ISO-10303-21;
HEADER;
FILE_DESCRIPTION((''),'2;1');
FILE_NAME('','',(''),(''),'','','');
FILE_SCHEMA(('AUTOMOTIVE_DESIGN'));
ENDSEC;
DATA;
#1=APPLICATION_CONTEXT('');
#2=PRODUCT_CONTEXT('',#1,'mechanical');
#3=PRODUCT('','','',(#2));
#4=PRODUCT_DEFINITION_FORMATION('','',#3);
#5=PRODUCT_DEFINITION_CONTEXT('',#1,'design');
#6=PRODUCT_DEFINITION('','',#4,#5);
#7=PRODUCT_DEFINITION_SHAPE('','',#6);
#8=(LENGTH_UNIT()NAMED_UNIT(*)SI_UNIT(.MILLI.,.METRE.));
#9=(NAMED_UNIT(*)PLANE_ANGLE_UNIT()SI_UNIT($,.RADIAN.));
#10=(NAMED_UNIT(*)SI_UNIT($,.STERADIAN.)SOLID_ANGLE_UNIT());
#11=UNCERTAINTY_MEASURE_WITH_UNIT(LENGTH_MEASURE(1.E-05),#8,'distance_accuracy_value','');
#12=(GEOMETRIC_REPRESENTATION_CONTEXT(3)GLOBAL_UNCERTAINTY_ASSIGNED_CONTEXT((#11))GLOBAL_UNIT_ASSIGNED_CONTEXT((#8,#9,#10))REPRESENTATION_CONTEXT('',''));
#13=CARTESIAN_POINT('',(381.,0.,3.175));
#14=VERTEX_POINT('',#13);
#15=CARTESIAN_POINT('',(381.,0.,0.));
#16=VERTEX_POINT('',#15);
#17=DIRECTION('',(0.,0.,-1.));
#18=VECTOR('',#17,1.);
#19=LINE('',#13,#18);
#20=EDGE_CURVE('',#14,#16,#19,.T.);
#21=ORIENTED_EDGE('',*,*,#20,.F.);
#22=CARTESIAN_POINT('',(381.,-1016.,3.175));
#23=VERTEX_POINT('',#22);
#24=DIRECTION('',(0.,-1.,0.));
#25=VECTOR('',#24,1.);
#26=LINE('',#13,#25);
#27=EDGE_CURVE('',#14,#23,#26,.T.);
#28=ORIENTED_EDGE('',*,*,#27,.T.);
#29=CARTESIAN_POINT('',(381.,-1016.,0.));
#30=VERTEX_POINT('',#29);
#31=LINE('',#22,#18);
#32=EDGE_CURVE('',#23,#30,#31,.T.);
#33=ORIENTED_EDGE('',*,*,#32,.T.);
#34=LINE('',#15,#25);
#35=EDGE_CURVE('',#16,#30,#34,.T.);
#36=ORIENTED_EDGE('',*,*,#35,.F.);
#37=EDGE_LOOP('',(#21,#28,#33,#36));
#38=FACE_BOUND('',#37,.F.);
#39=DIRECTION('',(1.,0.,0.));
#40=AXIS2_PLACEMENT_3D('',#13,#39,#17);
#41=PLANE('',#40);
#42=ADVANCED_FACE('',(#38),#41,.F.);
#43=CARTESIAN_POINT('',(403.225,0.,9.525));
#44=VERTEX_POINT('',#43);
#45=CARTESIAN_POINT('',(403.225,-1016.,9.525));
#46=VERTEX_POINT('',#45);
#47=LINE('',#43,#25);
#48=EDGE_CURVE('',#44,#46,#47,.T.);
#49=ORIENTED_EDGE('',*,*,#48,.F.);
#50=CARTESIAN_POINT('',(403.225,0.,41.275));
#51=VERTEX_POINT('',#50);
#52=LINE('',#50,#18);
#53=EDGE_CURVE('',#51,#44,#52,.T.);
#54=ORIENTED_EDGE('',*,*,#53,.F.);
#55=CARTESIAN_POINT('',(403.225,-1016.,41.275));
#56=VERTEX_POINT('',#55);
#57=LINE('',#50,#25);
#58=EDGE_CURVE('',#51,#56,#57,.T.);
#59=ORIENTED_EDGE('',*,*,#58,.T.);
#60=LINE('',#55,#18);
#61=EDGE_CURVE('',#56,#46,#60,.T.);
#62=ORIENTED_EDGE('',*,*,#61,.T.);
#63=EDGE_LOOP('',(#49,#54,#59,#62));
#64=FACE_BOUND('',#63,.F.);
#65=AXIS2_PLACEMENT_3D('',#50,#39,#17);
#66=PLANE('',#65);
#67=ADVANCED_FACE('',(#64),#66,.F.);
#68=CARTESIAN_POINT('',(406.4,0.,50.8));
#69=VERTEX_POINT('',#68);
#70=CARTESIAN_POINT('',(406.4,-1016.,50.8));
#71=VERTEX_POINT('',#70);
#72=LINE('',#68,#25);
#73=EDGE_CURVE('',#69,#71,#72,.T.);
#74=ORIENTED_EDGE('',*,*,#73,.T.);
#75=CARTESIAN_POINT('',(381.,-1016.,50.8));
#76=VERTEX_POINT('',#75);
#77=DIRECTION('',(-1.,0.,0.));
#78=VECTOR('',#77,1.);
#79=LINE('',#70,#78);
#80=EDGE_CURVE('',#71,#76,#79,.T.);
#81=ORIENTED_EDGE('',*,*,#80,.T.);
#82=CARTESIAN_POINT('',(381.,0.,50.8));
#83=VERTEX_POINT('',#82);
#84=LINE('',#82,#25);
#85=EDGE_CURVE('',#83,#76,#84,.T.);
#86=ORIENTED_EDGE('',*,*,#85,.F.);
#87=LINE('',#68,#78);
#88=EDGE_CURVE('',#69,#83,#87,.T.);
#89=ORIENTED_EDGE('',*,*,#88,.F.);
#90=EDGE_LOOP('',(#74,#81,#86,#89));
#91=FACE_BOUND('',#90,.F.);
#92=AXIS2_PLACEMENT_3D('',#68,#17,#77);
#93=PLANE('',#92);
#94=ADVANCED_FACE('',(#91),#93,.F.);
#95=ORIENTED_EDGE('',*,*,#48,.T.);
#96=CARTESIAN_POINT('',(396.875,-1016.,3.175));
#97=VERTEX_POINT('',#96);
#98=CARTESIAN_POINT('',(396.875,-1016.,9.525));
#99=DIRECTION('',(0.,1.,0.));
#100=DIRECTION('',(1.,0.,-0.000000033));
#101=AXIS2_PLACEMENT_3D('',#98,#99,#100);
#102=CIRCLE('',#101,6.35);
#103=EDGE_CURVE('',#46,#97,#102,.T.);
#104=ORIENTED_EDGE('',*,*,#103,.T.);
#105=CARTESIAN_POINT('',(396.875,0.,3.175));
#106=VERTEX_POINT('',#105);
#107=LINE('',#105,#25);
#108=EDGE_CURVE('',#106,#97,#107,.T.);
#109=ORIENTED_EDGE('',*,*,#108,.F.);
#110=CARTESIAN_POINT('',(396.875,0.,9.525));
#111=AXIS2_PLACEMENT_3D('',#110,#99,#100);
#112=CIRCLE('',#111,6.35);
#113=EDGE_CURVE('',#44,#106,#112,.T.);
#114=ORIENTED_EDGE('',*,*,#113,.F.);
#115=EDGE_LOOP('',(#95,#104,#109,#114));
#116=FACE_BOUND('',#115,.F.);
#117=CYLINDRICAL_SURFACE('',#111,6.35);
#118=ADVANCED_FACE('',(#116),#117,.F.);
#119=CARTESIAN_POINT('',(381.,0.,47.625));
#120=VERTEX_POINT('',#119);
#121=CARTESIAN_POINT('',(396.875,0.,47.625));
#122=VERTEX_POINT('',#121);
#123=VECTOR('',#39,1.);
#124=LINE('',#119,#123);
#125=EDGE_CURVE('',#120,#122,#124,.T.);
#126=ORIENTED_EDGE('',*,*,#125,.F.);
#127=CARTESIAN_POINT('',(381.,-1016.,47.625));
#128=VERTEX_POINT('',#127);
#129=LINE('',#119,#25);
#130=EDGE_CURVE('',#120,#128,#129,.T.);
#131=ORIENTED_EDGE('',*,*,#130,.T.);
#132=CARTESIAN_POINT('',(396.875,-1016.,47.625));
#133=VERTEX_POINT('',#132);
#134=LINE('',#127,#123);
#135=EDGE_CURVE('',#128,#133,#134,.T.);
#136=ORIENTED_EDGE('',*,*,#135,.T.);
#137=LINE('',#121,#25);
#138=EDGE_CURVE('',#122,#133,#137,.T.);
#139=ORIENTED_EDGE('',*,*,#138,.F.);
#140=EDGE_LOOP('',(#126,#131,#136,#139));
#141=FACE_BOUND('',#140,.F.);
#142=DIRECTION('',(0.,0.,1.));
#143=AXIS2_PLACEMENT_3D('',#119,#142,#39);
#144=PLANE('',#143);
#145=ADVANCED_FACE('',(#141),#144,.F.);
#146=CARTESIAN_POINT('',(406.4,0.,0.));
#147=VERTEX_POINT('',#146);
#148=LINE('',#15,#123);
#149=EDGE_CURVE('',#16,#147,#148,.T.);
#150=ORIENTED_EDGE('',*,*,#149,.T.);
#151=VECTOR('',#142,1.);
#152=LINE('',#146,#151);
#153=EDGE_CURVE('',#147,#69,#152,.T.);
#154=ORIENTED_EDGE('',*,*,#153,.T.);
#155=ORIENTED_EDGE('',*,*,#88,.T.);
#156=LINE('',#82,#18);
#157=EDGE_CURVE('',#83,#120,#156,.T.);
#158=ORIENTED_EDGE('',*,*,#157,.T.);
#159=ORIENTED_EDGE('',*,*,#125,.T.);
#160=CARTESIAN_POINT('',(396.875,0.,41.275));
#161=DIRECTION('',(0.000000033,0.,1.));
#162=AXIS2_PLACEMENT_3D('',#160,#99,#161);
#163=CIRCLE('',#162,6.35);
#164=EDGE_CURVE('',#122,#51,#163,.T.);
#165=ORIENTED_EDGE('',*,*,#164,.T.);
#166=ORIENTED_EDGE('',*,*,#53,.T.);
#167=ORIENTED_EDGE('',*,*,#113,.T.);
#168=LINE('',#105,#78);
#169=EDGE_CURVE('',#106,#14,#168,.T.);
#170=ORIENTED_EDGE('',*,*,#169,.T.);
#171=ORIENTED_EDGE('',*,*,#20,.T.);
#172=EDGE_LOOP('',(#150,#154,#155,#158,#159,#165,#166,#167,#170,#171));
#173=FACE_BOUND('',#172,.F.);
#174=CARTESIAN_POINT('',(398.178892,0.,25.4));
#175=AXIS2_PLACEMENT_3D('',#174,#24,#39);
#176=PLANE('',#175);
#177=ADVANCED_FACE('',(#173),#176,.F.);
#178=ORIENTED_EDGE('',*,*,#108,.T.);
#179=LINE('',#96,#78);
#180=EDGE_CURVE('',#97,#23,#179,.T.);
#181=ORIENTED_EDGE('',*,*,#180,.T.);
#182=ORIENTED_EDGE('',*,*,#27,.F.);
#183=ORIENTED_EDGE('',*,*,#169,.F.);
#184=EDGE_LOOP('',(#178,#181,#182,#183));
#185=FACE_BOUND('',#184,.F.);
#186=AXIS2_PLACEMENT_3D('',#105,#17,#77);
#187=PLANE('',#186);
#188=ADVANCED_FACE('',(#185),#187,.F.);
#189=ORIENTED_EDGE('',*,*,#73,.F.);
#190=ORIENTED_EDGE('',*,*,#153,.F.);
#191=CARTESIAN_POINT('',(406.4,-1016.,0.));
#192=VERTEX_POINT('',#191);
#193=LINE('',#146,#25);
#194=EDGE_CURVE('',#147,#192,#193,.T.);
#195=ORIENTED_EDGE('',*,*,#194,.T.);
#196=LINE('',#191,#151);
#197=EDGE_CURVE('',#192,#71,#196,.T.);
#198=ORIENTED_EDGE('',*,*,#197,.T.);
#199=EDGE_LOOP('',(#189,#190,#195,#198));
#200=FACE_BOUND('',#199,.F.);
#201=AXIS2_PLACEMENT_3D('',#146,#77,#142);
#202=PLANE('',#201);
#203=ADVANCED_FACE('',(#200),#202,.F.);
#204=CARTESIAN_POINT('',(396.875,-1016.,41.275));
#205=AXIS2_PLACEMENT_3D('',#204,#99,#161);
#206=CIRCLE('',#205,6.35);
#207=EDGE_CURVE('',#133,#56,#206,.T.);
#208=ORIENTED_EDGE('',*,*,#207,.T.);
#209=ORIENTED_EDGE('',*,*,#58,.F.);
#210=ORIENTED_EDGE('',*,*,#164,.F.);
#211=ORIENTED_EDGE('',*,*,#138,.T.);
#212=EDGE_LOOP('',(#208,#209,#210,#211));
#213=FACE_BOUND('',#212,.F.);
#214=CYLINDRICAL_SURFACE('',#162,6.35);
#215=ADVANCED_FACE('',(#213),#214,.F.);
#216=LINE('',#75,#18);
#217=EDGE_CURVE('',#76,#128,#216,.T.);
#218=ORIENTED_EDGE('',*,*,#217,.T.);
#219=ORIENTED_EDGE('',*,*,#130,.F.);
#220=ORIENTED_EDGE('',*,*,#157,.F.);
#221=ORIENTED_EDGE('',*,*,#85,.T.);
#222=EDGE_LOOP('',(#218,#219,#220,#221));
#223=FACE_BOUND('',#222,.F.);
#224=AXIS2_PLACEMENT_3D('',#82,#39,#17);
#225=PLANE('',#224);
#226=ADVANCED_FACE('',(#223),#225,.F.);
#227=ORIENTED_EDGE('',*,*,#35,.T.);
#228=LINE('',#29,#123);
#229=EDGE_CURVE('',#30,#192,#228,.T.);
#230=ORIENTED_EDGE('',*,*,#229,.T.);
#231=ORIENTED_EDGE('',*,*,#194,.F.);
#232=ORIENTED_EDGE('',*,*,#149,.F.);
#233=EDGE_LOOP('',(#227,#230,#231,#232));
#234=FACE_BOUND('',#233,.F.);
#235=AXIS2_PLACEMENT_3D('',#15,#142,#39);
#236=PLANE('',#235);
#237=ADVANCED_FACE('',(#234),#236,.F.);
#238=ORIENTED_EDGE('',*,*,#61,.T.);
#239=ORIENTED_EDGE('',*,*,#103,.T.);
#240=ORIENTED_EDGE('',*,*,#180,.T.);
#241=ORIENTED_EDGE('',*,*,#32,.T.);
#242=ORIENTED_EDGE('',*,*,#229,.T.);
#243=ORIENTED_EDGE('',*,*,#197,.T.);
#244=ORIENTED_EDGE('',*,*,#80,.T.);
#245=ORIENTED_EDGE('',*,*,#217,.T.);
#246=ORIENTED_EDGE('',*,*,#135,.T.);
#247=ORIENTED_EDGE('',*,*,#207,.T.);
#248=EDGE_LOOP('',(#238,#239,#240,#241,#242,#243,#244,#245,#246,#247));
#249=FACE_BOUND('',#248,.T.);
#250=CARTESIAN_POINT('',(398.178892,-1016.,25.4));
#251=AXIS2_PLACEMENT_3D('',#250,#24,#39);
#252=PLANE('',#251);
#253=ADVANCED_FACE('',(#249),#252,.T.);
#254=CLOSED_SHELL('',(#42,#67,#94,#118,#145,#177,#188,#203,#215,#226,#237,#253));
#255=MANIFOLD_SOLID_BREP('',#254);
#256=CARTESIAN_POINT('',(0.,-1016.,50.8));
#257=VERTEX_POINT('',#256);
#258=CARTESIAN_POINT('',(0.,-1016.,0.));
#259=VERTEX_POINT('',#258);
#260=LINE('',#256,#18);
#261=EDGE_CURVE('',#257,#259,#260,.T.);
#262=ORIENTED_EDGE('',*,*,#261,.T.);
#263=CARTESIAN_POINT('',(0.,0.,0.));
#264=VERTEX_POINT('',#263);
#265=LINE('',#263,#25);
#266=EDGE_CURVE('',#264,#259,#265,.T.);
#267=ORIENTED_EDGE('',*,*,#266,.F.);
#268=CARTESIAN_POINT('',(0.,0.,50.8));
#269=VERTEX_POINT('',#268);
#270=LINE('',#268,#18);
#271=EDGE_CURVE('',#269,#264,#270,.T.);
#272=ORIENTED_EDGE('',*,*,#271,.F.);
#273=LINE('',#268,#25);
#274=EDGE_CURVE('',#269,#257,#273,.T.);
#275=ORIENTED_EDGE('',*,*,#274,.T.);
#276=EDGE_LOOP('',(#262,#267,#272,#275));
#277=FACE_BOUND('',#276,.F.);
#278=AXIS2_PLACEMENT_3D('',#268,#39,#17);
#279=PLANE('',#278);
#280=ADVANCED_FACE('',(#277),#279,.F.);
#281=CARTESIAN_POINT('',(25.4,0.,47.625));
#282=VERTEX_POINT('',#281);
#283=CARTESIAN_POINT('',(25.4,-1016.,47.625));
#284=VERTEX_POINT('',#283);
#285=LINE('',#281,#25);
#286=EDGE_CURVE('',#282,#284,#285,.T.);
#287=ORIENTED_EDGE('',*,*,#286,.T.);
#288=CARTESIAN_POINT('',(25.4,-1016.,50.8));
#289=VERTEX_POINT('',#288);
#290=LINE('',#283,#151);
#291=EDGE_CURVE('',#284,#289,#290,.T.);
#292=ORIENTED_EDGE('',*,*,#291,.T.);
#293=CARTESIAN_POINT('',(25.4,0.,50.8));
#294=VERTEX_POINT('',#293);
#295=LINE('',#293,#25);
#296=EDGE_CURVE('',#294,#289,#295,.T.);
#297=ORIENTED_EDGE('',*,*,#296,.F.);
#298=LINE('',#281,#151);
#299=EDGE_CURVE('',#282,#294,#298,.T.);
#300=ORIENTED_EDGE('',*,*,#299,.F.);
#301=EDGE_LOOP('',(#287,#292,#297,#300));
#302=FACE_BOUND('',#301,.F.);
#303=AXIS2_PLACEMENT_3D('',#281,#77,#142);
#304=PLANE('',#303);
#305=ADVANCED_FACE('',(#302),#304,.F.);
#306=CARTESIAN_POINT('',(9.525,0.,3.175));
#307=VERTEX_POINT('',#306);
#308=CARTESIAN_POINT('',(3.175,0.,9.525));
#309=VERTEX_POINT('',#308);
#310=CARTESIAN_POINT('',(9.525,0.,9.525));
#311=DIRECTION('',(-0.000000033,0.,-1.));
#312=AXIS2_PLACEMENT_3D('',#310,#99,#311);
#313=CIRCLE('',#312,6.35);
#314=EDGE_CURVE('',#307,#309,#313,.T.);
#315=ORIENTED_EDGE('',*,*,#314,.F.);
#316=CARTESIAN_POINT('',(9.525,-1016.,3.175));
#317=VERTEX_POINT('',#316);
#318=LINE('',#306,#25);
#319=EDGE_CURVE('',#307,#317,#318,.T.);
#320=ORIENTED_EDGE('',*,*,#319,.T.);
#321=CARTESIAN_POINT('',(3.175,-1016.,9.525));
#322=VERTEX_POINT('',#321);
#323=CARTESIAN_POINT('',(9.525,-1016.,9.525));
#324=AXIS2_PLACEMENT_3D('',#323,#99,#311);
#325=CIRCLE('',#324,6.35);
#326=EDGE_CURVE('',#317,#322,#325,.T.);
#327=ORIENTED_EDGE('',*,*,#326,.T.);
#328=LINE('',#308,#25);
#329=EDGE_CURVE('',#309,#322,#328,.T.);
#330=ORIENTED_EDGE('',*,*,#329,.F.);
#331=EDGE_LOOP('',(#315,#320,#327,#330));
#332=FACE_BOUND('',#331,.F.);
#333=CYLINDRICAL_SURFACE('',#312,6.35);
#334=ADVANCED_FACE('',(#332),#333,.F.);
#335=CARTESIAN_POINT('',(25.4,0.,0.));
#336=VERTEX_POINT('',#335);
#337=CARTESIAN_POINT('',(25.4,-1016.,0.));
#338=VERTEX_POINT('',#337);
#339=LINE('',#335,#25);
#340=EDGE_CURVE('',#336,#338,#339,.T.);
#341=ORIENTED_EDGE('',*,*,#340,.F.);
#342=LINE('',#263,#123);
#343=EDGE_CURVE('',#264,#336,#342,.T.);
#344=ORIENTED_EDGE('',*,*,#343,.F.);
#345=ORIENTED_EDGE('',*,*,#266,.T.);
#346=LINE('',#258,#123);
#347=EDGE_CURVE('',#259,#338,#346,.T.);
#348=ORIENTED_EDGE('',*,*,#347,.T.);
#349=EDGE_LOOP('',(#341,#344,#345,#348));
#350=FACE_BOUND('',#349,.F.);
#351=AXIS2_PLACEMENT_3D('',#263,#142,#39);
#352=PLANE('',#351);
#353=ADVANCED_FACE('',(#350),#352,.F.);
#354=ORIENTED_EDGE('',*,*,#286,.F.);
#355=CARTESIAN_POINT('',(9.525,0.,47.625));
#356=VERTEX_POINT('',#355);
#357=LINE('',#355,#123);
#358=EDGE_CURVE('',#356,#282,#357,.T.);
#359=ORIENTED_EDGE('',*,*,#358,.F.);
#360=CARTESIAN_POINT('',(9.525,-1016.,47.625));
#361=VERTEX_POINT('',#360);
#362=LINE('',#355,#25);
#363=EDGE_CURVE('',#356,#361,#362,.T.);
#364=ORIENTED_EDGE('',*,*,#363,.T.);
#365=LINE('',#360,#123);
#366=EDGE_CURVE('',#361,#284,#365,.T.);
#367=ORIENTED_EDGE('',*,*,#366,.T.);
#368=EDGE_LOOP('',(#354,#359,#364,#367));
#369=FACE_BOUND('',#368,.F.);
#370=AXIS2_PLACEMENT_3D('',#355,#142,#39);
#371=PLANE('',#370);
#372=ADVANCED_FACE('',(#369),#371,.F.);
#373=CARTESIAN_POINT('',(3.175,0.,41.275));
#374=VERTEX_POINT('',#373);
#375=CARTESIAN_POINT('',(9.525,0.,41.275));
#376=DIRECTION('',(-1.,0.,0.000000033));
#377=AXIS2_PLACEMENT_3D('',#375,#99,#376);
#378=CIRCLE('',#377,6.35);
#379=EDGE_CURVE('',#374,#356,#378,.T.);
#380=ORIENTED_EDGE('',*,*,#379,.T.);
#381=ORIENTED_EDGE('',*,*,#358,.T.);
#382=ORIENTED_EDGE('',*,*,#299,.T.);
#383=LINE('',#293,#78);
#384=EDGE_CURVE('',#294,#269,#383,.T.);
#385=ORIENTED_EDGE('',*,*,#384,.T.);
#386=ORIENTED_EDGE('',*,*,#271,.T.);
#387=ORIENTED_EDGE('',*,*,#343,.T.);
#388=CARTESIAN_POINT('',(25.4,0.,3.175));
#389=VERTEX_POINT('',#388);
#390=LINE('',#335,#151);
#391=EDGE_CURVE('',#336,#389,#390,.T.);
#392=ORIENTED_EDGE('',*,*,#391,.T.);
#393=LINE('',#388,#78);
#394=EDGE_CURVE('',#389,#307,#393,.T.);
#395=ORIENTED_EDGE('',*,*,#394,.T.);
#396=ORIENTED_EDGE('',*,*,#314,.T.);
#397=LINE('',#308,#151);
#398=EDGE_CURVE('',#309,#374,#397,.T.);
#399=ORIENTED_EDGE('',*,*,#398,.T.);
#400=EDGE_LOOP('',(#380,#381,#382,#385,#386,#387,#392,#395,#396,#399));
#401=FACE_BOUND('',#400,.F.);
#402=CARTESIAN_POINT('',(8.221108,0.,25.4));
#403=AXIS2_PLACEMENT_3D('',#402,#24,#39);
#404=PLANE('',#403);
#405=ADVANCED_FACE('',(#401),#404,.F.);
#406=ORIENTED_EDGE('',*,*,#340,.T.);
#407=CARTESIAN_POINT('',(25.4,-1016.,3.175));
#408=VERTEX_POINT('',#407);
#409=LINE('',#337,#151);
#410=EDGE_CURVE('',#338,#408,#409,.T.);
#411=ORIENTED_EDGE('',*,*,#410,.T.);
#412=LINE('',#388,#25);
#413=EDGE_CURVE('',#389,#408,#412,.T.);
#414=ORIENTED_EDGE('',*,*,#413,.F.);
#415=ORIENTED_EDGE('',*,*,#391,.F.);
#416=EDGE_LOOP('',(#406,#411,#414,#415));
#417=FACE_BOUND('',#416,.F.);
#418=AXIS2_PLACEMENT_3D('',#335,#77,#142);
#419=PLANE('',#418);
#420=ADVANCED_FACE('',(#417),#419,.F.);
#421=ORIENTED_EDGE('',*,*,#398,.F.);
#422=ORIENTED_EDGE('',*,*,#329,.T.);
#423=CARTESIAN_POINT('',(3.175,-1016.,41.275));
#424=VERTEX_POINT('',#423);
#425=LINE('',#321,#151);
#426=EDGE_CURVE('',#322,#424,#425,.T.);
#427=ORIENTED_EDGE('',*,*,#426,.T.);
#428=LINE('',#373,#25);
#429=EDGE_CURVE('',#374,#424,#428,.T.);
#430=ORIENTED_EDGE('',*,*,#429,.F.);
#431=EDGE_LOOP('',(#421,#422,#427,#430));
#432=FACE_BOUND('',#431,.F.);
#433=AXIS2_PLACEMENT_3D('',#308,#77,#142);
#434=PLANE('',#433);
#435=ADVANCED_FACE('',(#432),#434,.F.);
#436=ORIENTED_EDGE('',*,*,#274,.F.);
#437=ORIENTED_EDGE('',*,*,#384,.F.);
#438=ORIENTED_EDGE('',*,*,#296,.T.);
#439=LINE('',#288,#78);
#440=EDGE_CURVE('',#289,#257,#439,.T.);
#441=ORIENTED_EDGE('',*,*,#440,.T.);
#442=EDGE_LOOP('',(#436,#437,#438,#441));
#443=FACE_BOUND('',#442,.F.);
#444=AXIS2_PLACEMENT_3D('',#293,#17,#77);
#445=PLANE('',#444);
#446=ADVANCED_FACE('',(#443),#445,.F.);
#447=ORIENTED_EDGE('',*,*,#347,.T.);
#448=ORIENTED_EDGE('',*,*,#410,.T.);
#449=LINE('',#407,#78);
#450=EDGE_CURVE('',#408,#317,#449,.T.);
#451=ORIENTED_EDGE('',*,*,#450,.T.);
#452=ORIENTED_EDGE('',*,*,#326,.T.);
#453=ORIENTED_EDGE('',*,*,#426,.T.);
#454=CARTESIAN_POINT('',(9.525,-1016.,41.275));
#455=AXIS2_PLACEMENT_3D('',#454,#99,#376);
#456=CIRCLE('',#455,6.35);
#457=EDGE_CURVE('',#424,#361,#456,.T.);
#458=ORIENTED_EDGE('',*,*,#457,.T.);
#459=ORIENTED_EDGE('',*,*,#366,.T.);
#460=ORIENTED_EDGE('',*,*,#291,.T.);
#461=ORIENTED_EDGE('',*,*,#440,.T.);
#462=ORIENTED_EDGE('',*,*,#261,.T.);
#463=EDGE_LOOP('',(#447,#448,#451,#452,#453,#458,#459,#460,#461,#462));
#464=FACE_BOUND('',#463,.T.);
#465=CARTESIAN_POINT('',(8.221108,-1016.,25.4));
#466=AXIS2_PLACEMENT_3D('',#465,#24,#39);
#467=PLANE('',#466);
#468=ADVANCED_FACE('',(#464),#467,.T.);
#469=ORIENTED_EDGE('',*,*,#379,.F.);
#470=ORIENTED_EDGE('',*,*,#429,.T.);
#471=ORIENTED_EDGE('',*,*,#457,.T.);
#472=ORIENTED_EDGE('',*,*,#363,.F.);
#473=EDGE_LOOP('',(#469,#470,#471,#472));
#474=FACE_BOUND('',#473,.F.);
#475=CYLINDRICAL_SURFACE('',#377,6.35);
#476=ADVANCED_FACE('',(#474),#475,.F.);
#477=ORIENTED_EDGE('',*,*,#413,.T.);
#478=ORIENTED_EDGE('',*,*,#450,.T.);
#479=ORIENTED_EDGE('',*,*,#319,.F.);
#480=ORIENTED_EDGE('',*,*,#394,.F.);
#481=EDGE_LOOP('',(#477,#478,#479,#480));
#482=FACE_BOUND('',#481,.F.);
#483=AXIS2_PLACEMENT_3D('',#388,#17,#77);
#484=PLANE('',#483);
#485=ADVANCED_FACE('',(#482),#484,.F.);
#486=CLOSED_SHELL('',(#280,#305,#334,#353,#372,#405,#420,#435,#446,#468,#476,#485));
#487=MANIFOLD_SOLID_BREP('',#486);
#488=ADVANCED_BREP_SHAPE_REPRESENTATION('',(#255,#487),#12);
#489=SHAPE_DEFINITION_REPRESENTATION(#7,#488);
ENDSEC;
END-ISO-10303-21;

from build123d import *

# Parameters (mm, degrees)
F1_DEPTH = 1016


with BuildPart() as f1:
    # F0 (on Front) → F1 (new body)
    with BuildSketch(Plane.XZ):
        with BuildLine():
            Line((0, 50.8), (0, 0))
            Line((0, 0), (25.4, 0))
            Line((25.4, 0), (25.4, 3.175))
            Line((25.4, 3.175), (9.525, 3.175))
            ThreePointArc((9.525, 3.175), (5.034872, 5.034872), (3.175, 9.525))
            Line((3.175, 9.525), (3.175, 41.275))
            ThreePointArc((3.175, 41.275), (5.034872, 45.765128), (9.525, 47.625))
            Line((9.525, 47.625), (25.4, 47.625))
            Line((25.4, 47.625), (25.4, 50.8))
            Line((25.4, 50.8), (0, 50.8))
        make_face()
        with BuildLine():
            Line((381, 0), (406.4, 0))
            Line((406.4, 0), (406.4, 50.8))
            Line((406.4, 50.8), (381, 50.8))
            Line((381, 50.8), (381, 47.625))
            Line((381, 47.625), (396.875, 47.625))
            ThreePointArc((396.875, 47.625), (401.365128, 45.765128), (403.225, 41.275))
            Line((403.225, 41.275), (403.225, 9.525))
            ThreePointArc((403.225, 9.525), (401.365128, 5.034872), (396.875, 3.175))
            Line((396.875, 3.175), (381, 3.175))
            Line((381, 3.175), (381, 0))
        make_face()
    extrude(amount=F1_DEPTH)


solid = f1.part
